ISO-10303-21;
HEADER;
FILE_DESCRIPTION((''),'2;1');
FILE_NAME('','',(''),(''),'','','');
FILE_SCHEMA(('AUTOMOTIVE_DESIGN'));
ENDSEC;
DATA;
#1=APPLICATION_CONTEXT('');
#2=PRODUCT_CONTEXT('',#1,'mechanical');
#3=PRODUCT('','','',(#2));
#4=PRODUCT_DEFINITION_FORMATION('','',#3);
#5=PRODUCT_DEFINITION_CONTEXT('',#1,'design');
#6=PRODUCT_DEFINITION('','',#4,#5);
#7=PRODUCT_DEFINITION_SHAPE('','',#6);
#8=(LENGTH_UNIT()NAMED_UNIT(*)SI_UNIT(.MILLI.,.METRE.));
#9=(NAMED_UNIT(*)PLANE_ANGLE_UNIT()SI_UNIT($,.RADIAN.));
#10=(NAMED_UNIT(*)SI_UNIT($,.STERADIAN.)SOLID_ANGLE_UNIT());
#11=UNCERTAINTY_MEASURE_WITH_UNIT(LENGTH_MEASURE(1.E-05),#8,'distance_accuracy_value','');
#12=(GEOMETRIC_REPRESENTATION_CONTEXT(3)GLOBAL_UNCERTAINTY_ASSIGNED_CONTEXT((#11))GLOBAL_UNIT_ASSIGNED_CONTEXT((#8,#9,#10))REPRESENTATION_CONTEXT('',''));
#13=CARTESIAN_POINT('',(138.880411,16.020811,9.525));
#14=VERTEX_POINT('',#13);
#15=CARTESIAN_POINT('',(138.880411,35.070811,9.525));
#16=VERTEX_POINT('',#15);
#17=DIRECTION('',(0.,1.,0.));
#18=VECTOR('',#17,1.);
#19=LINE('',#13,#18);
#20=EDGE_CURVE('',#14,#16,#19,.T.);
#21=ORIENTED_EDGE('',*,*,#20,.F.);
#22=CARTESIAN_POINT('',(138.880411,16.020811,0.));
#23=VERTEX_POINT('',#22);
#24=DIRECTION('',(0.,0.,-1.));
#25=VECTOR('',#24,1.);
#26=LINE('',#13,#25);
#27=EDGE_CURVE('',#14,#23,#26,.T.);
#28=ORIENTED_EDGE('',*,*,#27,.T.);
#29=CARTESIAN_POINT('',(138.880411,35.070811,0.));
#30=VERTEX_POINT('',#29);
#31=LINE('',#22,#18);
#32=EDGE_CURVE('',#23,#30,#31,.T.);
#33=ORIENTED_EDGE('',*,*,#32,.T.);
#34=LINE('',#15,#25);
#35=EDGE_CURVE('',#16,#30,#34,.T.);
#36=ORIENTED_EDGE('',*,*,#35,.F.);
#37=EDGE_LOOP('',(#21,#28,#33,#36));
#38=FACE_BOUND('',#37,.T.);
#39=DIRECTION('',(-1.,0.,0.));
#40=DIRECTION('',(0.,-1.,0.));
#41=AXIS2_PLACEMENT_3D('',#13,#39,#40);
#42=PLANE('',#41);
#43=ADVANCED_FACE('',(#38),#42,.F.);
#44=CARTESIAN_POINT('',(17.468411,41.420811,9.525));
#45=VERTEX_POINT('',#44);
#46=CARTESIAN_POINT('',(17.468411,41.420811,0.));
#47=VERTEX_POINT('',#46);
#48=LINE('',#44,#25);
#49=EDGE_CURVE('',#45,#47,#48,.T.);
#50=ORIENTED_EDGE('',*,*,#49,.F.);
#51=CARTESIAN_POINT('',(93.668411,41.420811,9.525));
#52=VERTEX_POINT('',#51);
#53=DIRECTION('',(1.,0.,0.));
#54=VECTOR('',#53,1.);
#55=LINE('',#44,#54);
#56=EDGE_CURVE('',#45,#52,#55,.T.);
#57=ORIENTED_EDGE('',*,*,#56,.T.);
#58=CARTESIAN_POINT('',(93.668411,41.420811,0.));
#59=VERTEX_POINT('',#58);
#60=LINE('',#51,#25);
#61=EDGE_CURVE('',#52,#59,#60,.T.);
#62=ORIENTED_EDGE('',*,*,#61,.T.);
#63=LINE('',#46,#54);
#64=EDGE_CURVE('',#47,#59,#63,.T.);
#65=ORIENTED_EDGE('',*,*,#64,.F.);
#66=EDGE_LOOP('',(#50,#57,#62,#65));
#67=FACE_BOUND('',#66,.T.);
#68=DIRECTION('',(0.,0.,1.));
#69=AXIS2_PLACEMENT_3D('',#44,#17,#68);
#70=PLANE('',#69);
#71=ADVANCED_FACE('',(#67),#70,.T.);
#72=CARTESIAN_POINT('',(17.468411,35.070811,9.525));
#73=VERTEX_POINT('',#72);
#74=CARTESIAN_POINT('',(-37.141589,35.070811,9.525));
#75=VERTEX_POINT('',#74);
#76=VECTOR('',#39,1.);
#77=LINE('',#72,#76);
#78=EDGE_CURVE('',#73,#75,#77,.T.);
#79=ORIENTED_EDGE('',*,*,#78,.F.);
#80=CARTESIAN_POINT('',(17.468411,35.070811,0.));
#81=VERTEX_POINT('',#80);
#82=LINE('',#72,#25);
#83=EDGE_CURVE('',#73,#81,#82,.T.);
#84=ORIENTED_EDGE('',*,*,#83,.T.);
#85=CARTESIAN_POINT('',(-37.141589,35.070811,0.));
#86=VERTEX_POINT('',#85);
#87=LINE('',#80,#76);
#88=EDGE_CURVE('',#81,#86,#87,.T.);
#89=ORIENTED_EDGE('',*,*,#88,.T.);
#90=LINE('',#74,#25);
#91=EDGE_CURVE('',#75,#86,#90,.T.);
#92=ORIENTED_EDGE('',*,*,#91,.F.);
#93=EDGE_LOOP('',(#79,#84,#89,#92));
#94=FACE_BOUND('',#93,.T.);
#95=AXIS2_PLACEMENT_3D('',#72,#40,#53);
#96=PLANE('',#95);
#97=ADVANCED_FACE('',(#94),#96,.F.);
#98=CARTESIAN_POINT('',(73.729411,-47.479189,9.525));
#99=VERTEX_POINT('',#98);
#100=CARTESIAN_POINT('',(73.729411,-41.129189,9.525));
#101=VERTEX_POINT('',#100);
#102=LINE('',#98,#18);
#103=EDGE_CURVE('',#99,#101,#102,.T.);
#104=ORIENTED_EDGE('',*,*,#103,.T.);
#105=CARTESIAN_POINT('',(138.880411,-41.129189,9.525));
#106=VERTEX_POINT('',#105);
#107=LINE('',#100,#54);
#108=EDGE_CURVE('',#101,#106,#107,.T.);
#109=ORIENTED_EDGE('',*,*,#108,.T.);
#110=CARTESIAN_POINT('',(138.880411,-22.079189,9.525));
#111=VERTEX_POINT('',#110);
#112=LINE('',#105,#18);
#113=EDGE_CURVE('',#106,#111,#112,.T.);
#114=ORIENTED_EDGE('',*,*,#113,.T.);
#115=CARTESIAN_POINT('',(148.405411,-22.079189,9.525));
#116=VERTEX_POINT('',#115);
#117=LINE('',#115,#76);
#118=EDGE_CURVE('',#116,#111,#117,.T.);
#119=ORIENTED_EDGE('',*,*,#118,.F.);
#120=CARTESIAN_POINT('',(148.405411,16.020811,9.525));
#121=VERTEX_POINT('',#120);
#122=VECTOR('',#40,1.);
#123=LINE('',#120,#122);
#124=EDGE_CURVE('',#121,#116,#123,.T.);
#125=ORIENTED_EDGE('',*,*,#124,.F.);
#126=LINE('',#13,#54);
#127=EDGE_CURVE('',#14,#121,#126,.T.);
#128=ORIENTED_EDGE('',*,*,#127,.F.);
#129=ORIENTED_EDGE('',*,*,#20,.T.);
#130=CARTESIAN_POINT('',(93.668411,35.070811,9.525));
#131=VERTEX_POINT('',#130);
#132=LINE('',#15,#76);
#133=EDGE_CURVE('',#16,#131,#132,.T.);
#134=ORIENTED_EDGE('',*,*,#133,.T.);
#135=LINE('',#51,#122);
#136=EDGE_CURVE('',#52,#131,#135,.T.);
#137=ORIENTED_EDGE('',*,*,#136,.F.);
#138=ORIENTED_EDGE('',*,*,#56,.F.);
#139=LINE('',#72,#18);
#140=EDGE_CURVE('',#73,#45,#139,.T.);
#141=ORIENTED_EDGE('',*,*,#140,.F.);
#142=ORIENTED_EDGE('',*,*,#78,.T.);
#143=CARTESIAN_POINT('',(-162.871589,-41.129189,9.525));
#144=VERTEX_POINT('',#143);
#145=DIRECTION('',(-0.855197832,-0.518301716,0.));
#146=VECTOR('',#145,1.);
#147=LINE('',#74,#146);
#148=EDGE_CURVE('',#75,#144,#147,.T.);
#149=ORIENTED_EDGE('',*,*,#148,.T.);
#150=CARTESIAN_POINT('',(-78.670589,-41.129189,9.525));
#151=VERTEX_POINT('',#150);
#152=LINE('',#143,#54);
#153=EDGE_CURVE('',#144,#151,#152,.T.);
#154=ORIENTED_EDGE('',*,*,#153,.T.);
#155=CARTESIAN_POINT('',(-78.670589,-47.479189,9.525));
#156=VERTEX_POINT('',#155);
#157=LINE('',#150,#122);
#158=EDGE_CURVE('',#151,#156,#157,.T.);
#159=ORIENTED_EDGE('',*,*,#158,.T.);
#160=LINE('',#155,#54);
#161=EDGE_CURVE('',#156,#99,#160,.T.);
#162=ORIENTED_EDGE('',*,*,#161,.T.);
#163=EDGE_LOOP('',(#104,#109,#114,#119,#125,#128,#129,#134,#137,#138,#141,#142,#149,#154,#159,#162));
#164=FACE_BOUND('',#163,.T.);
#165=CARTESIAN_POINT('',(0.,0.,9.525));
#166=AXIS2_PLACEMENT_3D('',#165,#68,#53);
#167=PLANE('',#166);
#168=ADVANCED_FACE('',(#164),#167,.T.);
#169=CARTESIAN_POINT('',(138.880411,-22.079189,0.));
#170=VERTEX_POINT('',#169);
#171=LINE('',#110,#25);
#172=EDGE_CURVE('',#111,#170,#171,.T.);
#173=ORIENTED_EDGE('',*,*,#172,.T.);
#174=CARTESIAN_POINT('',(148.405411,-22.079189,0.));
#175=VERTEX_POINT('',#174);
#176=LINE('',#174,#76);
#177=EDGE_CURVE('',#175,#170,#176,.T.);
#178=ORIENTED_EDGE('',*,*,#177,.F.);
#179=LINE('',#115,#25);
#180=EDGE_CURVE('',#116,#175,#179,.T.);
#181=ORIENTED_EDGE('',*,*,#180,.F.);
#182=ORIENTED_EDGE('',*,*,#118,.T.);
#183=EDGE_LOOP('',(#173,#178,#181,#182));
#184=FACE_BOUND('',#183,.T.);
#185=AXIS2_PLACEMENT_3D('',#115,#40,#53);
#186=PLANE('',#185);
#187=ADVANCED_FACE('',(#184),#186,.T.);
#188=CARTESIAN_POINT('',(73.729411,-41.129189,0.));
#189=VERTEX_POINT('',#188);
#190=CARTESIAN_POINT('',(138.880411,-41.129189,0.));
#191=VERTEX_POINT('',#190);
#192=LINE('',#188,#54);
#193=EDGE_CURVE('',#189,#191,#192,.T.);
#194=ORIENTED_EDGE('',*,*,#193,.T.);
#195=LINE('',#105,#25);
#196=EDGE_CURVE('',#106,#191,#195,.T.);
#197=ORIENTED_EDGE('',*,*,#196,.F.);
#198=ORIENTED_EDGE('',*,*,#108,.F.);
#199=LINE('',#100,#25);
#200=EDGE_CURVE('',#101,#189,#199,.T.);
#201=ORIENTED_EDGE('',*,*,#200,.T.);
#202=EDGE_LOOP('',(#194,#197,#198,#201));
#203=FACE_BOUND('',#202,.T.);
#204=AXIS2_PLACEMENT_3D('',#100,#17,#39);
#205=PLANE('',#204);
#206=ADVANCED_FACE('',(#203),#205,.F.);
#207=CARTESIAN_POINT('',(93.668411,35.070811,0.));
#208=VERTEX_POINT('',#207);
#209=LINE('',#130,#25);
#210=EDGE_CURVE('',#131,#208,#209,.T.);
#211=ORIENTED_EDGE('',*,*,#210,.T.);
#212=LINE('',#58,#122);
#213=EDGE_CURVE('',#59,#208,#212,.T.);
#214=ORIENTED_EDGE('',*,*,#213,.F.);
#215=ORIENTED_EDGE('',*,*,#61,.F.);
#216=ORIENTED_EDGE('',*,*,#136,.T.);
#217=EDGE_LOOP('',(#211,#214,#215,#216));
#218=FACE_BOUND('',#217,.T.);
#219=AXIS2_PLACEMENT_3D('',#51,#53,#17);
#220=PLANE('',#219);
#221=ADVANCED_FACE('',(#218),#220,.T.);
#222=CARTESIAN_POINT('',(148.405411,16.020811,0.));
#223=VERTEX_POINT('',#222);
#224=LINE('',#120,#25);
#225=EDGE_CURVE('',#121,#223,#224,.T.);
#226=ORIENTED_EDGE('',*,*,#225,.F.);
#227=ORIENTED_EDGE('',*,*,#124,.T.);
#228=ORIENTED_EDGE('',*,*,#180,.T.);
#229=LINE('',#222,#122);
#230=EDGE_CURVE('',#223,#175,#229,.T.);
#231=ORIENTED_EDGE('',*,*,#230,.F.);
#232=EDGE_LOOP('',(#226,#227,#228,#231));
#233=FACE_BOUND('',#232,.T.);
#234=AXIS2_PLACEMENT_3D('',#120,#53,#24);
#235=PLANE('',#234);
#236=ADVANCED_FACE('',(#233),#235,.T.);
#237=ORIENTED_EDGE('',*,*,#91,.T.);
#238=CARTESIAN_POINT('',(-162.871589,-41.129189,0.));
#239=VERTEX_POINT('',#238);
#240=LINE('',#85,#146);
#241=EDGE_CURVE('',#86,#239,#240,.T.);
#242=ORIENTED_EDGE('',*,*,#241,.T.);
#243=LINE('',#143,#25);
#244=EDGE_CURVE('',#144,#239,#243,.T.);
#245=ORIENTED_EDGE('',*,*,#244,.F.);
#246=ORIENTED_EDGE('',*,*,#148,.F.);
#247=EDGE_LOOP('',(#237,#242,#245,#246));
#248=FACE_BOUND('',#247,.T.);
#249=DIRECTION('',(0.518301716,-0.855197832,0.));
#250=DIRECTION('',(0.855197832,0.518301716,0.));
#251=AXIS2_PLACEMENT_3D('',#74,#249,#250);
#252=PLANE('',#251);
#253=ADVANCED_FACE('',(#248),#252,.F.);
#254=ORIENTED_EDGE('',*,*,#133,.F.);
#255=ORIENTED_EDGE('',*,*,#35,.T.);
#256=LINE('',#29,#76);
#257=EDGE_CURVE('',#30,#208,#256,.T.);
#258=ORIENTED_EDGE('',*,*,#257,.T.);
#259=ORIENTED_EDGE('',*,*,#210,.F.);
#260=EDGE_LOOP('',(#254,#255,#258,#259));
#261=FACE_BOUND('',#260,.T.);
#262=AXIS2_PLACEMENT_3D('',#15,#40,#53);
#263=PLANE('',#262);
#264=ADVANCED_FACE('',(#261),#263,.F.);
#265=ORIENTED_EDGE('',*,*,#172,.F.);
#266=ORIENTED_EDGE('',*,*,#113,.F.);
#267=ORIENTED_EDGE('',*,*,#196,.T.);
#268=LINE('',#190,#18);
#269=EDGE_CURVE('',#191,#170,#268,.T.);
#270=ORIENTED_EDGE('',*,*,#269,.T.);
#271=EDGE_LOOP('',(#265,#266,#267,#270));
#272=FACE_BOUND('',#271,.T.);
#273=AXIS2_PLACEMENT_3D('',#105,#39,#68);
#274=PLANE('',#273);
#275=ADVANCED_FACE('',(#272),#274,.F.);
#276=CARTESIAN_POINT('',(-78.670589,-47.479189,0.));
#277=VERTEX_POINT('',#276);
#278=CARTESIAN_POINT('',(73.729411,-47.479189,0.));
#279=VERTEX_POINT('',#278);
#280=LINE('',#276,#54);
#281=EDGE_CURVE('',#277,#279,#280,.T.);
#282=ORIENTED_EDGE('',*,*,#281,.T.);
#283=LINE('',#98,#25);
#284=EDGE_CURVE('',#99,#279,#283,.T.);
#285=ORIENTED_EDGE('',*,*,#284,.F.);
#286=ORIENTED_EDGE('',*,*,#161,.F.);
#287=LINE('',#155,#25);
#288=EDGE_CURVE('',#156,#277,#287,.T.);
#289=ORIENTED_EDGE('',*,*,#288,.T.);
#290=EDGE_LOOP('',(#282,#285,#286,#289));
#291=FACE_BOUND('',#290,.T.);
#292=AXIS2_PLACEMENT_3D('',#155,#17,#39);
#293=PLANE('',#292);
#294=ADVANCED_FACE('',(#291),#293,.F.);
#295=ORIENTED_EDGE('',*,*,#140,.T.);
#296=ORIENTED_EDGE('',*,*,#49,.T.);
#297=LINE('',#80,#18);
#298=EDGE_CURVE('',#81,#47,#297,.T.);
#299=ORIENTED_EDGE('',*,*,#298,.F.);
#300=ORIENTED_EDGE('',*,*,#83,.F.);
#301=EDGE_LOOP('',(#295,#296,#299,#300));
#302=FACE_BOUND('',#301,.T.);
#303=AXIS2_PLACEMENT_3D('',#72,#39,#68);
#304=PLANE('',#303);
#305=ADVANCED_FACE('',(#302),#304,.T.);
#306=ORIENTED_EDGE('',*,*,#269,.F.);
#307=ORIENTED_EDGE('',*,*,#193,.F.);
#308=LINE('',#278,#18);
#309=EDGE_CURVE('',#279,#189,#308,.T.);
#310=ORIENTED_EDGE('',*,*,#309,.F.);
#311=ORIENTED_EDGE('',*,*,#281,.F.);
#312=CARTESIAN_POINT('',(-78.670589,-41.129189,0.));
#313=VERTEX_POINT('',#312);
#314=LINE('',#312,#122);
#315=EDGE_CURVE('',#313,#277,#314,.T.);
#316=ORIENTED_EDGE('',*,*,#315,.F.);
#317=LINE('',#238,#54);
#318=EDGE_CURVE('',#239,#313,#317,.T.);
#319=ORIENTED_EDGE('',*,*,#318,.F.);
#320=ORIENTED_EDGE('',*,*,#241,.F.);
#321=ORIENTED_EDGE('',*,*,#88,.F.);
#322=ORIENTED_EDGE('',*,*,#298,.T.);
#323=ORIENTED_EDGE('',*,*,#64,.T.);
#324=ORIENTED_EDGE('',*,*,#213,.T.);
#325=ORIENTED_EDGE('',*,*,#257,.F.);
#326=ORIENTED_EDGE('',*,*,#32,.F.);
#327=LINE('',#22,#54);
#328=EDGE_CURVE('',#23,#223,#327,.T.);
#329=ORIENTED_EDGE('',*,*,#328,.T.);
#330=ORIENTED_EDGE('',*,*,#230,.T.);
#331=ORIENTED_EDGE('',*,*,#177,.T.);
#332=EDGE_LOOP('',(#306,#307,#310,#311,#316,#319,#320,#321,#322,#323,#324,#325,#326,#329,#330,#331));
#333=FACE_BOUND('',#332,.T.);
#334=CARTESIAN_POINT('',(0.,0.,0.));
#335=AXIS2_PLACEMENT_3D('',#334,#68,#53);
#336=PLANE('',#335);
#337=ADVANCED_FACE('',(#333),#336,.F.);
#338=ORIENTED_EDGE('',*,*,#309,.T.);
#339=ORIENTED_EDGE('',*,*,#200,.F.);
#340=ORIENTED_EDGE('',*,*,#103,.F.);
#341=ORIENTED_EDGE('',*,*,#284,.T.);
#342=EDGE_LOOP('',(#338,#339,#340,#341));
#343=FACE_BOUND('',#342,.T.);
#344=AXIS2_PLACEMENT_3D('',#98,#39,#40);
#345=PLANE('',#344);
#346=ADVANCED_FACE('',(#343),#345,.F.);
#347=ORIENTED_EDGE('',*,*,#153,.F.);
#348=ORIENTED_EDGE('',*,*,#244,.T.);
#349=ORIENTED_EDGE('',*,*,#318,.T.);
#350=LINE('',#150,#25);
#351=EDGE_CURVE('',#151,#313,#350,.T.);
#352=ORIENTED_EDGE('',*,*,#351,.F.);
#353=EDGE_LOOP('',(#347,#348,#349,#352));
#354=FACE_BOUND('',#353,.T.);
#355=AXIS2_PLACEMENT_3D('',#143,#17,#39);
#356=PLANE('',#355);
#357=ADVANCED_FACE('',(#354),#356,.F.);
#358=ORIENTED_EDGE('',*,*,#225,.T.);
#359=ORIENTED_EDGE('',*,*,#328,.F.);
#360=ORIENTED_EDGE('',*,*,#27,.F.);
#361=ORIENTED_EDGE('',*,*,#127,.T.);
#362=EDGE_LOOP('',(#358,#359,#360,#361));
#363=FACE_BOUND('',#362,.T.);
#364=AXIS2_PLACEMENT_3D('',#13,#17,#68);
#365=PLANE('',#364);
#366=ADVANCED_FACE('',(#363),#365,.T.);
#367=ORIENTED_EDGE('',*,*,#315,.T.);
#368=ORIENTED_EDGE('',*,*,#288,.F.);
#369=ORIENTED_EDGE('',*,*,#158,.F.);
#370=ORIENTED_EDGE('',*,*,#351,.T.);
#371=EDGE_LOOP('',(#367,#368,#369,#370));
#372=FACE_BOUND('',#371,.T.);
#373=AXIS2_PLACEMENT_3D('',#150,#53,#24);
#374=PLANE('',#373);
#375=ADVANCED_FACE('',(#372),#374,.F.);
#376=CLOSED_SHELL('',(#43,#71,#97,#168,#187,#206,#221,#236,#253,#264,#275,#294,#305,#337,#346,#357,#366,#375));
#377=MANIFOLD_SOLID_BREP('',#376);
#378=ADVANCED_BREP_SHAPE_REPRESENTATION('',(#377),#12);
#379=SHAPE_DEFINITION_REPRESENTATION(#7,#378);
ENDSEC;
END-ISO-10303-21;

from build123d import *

# Parameters (mm, degrees)
BOSS_EXTRUDE1_DEPTH = 9.525


with BuildPart() as part:
    # Sketch1 → Boss-Extrude1 (new body)
    with BuildSketch(Plane.XY):
        Polygon((138.880411235, 35.070810918), (93.668411235, 35.070810918), (93.668411235, 41.420810918), (17.468411235, 41.420810918), (17.468411235, 35.070810918), (-37.141588765, 35.070810918), (-162.871588765, -41.129189082), (-78.670588765, -41.129189082), (-78.670588765, -47.479189082), (73.729411235, -47.479189082), (73.729411235, -41.129189082), (138.880411235, -41.129189082), (138.880411235, -22.079189082), (148.405411235, -22.079189082), (148.405411235, 16.020810918), (138.880411235, 16.020810918), align=None)
    extrude(amount=BOSS_EXTRUDE1_DEPTH)


solid = part.part
